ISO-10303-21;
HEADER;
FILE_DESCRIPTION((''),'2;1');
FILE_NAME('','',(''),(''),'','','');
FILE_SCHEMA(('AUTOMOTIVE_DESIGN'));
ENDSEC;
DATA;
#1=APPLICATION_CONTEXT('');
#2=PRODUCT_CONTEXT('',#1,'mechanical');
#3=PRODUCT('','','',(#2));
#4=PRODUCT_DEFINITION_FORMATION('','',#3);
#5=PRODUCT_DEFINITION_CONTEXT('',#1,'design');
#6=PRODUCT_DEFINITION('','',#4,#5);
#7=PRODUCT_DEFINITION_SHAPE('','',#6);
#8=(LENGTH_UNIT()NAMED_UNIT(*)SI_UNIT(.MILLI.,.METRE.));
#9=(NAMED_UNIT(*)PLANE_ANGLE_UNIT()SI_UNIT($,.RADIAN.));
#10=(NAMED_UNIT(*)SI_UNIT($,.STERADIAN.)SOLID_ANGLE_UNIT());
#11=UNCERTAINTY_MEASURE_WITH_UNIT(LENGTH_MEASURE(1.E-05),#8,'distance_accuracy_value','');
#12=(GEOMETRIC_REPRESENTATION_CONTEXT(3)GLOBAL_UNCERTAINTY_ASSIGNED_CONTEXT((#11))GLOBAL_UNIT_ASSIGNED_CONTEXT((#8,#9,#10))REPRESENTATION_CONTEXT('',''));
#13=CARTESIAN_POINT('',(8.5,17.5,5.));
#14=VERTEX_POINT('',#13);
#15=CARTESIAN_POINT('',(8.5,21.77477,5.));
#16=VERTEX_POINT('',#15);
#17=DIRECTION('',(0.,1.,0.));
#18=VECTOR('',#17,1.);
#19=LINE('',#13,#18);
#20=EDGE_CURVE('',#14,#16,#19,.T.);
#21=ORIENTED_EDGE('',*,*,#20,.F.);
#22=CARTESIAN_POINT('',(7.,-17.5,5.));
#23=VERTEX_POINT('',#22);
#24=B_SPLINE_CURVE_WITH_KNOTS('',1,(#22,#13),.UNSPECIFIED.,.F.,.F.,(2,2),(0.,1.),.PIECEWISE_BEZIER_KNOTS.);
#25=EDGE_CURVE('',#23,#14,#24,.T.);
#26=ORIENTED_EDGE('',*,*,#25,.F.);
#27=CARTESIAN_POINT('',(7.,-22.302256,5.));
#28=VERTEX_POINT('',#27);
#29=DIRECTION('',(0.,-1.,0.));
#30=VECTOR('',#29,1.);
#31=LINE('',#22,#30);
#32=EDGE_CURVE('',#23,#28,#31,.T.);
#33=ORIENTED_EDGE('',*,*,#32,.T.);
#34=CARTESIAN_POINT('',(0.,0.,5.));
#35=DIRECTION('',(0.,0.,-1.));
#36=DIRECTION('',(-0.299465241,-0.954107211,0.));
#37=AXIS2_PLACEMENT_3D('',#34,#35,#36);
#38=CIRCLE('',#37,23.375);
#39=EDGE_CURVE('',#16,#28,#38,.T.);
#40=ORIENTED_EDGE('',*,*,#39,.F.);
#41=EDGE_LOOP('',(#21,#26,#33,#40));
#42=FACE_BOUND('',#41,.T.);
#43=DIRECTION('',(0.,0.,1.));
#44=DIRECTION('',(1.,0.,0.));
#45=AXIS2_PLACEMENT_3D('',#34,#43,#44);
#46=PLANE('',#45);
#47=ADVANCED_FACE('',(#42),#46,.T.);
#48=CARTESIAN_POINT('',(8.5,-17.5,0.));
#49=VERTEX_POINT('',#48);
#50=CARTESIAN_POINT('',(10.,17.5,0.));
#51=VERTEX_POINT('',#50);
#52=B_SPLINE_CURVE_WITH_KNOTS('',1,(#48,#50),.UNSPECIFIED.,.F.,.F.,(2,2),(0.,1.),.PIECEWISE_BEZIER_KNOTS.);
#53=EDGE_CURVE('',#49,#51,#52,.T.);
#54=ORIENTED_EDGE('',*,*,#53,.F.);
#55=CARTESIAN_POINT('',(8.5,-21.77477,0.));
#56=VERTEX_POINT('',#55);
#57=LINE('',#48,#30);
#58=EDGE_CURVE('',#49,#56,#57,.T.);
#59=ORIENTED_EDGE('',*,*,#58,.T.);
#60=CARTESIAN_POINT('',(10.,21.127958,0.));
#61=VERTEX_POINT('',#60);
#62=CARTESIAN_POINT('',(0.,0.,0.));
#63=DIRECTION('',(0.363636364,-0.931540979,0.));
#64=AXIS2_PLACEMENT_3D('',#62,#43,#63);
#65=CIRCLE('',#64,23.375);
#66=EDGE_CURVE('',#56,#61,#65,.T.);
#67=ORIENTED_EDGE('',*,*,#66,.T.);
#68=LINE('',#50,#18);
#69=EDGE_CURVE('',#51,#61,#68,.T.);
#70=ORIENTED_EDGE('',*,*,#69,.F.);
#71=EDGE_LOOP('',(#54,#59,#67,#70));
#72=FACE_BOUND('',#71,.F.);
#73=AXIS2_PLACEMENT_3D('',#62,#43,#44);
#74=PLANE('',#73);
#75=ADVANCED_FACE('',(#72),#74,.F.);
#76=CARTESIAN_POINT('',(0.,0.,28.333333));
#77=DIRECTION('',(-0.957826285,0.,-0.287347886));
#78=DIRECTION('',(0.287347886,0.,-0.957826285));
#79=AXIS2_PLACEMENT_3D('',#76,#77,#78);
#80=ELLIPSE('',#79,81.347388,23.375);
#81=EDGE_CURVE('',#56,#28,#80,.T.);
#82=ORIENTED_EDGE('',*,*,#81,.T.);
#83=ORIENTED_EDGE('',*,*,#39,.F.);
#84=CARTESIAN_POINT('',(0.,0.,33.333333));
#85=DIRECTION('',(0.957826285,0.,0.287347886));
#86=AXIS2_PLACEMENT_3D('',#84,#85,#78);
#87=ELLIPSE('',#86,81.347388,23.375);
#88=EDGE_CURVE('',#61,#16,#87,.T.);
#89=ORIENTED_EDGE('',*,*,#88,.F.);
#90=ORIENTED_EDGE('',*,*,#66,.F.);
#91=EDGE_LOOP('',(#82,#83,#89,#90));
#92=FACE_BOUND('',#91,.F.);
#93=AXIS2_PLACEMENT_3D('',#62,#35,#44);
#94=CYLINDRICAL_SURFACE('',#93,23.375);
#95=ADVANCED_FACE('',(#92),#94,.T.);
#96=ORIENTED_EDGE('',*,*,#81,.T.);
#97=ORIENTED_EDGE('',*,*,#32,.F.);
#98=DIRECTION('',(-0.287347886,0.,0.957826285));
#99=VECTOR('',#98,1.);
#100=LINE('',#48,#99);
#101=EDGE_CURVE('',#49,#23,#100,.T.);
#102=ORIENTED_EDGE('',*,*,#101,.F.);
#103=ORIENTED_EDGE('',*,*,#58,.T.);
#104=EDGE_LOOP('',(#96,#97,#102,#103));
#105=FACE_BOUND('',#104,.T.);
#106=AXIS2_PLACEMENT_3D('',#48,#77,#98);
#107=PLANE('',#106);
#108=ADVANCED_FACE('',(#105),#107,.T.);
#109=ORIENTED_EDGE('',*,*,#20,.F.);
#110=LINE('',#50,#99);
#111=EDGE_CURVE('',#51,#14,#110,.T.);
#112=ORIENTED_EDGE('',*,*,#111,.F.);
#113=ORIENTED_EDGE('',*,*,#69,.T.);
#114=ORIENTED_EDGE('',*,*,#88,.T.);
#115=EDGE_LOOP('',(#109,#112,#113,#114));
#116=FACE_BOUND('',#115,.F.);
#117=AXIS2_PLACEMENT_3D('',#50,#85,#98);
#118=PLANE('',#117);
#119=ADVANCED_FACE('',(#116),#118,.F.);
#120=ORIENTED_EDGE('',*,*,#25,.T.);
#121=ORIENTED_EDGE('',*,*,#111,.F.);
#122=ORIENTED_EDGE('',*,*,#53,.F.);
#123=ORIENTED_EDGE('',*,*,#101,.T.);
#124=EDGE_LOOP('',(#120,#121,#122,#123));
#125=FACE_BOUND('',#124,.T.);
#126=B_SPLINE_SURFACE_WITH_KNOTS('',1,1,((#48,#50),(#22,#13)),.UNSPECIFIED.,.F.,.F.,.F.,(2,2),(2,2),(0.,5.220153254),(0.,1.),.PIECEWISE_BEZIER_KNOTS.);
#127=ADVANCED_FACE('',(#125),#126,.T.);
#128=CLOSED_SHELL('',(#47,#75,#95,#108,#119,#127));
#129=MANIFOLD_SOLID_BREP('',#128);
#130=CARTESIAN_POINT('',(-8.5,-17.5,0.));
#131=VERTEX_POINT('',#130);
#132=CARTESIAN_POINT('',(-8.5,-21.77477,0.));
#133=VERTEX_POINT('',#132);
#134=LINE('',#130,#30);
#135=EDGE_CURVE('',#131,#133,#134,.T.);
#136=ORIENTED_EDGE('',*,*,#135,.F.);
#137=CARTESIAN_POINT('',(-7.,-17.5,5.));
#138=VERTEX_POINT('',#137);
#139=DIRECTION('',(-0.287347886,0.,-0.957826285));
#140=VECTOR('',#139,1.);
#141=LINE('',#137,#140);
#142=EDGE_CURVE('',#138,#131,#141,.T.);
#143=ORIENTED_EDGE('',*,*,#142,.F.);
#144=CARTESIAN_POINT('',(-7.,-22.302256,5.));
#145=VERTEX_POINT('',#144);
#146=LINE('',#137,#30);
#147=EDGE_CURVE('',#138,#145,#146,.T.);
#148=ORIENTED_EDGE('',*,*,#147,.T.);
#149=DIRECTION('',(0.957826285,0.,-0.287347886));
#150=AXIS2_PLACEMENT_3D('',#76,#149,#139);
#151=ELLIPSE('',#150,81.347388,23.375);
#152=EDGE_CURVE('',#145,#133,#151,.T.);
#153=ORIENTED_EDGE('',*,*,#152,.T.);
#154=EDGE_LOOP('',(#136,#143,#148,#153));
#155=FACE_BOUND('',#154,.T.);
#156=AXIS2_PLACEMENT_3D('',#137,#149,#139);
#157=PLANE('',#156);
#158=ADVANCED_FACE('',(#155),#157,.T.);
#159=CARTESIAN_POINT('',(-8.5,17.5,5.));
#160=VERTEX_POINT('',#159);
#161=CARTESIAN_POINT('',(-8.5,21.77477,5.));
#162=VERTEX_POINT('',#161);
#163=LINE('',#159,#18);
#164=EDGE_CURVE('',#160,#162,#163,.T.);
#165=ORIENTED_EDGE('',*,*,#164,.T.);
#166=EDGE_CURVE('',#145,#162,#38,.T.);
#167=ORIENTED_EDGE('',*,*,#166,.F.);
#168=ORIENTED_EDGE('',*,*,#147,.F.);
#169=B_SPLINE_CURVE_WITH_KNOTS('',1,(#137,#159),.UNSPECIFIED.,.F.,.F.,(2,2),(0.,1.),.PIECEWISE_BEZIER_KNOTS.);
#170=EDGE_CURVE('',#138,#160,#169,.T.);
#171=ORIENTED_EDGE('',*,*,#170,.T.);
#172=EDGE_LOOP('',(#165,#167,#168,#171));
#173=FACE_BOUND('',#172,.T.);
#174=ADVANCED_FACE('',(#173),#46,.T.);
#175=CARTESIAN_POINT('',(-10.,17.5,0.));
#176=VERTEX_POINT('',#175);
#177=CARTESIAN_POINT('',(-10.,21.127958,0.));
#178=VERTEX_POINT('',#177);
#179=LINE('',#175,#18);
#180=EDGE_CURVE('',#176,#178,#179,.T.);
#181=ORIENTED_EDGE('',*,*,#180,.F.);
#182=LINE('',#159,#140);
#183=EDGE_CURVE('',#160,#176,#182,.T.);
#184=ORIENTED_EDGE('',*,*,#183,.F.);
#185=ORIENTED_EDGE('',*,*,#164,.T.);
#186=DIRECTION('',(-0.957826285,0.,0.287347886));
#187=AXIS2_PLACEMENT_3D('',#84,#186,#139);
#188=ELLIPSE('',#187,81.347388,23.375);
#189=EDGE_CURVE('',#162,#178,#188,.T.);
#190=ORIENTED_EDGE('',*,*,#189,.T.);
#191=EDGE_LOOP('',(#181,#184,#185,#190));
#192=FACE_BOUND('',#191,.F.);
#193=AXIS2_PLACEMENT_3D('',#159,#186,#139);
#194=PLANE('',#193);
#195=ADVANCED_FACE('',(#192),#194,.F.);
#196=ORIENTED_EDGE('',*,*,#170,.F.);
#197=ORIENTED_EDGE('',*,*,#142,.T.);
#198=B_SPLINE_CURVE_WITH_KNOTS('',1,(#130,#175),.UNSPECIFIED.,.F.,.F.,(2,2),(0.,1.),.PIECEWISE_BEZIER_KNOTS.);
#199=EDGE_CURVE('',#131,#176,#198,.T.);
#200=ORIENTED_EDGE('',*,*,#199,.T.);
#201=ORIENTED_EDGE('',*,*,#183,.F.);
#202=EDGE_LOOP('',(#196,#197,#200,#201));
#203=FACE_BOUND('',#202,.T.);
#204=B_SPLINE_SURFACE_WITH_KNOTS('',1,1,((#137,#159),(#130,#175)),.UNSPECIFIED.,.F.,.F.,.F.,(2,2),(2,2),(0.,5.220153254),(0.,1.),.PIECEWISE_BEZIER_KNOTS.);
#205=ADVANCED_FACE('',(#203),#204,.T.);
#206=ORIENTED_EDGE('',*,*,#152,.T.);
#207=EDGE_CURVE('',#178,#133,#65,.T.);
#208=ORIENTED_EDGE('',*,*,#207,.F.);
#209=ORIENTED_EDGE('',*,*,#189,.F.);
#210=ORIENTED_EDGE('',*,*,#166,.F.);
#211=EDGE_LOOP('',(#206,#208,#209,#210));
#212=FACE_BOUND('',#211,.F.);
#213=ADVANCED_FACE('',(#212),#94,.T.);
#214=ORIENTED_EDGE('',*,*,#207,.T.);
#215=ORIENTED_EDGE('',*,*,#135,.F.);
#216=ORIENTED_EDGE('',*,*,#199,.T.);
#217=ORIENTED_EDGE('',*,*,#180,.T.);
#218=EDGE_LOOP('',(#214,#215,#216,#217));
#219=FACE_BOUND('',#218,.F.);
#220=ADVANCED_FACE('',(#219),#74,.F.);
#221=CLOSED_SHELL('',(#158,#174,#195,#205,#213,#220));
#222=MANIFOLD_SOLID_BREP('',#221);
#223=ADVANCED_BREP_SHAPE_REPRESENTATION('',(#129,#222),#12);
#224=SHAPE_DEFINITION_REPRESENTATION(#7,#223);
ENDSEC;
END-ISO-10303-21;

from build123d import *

# Parameters (mm, degrees)
F0_R     = 23.375
F1_DEPTH = 5
F7_DEPTH = 25
F8_DEPTH = 25


with BuildPart() as f1:
    # F0 (on Top) → F1 (new body)
    with BuildSketch(Plane.XY):
        Circle(F0_R)
    extrude(amount=F1_DEPTH)

    # F4 (on offset) → F6 section 0
    with BuildSketch(Plane.XZ.offset(17.5)):
        Polygon((-7, 5), (-8.5, 0), (8.5, 0), (7, 5), align=None)
    # F5 (on offset) → F6 section 1
    with BuildSketch(Plane.XZ.offset(-17.5)):
        Polygon((-10, 0), (10, 0), (8.5, 5), (-8.5, 5), align=None)
    loft(mode=Mode.SUBTRACT)

    # F4 (on offset) → F7 (cut)
    with BuildSketch(Plane.XZ.offset(17.5)):
        Polygon((-7, 5), (-8.5, 0), (8.5, 0), (7, 5), align=None)
    extrude(amount=F7_DEPTH, mode=Mode.SUBTRACT)

    # F5 (on offset) → F8 (cut)
    with BuildSketch(Plane.XZ.offset(-17.5)):
        Polygon((-10, 0), (10, 0), (8.5, 5), (-8.5, 5), align=None)
    extrude(amount=-F8_DEPTH, mode=Mode.SUBTRACT)


solid = f1.part
